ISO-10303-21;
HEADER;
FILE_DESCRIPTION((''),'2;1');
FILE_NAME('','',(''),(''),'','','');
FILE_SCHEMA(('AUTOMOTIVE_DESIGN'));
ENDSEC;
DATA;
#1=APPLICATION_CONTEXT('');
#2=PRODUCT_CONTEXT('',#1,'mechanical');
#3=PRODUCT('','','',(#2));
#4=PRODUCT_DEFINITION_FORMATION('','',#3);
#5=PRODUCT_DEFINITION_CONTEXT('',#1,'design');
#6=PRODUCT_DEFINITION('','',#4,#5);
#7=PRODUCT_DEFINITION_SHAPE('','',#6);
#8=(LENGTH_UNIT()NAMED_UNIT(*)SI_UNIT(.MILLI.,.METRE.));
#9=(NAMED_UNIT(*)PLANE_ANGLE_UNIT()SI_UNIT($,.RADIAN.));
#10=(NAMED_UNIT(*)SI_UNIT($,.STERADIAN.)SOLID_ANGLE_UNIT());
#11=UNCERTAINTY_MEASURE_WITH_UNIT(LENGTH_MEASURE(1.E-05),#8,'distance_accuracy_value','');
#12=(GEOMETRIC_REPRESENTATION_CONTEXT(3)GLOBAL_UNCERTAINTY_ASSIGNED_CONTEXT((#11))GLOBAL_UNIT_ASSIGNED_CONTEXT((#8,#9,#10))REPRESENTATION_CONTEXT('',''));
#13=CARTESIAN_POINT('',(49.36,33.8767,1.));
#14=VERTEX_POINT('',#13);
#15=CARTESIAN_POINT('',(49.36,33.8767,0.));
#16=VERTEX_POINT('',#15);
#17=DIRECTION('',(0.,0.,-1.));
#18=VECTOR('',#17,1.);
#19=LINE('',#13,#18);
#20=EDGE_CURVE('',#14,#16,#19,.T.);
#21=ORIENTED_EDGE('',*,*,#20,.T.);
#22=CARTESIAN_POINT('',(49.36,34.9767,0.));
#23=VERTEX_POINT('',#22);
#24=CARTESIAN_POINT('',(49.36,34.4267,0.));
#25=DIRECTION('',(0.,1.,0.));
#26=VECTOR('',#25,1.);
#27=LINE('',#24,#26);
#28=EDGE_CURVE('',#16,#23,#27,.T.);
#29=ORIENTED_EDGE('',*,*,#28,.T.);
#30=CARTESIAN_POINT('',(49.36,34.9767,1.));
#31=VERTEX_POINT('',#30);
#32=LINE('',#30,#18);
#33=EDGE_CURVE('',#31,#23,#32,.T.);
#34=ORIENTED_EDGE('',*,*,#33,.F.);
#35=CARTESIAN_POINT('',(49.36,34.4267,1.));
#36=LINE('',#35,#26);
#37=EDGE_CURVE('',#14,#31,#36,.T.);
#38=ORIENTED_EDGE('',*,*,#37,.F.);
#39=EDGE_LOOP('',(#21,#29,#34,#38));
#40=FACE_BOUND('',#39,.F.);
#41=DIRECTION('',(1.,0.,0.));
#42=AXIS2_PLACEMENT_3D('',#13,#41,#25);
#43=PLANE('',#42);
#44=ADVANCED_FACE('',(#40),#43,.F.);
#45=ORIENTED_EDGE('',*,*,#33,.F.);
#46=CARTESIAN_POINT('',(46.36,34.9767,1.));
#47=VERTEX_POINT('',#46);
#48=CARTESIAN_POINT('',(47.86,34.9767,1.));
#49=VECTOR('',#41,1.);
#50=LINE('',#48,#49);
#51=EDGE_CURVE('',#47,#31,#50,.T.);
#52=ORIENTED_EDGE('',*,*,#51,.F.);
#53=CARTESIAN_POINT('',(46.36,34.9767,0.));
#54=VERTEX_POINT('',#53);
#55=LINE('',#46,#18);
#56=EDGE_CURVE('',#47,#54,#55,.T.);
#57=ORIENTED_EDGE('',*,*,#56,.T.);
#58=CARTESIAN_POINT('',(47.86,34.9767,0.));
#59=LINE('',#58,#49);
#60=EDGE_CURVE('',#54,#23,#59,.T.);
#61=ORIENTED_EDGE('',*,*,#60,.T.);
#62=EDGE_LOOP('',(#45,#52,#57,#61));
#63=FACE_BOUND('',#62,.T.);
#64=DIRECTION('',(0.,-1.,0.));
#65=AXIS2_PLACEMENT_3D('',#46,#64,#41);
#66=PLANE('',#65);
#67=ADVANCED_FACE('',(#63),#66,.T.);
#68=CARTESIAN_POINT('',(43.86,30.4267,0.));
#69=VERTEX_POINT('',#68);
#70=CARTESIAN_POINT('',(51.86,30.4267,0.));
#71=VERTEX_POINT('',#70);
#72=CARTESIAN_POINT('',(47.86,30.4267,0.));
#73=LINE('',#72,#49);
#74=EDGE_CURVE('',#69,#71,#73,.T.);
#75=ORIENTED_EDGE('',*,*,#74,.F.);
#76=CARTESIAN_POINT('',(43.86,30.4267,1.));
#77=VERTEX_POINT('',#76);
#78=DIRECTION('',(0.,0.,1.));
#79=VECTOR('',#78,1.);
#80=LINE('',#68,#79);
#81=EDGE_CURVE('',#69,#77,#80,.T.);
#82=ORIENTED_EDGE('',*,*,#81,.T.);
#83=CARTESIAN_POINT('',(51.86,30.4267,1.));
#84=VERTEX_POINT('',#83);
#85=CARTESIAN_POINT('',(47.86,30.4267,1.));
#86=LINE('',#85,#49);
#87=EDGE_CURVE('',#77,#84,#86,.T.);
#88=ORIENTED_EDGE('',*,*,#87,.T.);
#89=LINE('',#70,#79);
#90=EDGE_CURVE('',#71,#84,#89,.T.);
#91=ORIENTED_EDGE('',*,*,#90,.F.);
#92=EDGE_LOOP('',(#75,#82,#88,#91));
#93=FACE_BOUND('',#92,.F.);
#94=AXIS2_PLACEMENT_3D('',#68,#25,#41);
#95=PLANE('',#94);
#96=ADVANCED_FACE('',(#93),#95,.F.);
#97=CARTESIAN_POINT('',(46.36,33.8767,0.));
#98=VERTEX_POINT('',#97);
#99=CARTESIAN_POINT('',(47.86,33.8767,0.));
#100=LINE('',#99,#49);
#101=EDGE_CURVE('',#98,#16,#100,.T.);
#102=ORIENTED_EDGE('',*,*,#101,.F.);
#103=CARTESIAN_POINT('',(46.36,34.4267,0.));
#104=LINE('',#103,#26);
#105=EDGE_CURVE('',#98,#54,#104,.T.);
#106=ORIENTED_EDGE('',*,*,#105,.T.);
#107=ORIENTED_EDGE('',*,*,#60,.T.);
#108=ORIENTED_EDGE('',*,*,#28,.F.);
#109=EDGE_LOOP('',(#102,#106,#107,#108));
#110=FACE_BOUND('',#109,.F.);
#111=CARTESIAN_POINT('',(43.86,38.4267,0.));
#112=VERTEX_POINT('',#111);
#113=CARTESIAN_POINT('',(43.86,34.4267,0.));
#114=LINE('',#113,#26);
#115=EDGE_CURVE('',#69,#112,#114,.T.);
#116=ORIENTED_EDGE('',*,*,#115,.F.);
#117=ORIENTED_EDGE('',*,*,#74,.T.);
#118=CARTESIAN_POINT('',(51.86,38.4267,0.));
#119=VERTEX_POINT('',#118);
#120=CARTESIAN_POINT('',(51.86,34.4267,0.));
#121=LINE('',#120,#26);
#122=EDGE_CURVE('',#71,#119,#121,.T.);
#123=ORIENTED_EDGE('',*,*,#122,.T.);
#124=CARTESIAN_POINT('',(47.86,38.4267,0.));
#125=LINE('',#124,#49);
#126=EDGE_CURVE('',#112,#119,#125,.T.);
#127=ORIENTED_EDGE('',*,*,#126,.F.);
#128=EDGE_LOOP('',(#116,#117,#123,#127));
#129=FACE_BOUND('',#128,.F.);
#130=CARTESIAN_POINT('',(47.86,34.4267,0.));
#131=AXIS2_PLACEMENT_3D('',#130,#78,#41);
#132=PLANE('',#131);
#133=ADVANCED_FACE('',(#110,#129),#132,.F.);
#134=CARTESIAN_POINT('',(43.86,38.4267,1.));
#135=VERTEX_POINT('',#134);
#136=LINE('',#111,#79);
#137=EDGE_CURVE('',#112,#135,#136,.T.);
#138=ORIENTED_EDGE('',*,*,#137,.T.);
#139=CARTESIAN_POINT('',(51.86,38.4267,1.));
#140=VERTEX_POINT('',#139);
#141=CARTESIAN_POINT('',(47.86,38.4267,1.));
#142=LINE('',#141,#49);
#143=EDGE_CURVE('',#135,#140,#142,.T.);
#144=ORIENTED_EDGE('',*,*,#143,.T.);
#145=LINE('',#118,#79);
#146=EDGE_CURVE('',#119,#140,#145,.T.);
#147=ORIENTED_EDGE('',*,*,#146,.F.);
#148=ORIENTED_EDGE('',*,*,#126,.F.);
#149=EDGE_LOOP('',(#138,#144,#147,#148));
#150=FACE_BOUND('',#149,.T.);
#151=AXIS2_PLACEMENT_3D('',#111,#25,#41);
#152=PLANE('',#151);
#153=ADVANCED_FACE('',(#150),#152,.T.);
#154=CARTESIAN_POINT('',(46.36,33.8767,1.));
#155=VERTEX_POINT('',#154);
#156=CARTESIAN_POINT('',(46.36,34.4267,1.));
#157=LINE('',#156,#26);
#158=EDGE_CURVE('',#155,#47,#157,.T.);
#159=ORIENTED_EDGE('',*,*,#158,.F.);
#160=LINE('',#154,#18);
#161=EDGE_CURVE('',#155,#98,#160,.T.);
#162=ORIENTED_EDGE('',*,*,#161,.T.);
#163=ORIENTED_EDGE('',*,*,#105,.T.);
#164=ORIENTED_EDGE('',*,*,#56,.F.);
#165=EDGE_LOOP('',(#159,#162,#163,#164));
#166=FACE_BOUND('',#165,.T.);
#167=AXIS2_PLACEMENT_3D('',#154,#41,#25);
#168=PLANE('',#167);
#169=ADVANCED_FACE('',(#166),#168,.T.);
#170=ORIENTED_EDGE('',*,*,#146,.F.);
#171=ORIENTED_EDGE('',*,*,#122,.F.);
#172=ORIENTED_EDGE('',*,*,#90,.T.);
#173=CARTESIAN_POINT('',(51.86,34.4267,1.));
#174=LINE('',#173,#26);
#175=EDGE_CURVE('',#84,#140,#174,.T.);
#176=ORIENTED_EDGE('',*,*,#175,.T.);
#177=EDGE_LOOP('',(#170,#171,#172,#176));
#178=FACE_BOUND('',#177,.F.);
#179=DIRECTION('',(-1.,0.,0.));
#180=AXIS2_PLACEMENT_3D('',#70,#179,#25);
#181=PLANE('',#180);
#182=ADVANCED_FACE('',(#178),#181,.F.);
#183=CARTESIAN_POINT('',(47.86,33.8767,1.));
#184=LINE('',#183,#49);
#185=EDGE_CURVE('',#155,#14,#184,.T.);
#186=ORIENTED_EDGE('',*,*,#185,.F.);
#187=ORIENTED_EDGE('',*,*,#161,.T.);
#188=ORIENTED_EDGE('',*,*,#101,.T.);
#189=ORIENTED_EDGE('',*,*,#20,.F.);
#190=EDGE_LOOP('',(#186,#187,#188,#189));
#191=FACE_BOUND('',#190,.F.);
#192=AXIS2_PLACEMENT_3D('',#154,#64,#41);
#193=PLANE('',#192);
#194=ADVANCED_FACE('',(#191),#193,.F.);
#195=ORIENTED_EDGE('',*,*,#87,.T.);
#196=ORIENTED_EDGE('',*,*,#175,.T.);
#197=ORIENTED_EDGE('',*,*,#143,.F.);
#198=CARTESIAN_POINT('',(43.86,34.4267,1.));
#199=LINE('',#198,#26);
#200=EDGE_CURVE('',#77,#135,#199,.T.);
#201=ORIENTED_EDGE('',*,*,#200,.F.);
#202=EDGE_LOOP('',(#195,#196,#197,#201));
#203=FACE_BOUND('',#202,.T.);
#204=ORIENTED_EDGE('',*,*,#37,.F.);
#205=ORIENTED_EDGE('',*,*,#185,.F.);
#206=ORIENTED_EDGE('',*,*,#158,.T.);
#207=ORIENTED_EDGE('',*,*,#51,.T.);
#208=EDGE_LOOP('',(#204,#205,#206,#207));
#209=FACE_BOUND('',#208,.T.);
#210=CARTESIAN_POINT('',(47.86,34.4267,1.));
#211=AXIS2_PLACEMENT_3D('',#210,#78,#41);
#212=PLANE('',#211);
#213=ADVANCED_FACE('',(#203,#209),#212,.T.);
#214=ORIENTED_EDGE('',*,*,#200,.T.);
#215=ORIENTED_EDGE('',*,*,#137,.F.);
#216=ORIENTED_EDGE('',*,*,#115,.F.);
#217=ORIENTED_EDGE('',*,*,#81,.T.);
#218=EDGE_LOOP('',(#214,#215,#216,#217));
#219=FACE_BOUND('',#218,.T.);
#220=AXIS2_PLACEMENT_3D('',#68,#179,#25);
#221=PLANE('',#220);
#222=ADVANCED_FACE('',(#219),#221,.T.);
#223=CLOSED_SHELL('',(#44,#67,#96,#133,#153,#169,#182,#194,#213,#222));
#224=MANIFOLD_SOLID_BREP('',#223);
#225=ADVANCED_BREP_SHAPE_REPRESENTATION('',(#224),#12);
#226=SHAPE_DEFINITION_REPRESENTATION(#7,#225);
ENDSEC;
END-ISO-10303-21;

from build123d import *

# Parameters (mm, degrees)
SKETCH005_W      = 3
SKETCH005_H      = 1.1
EXTRUDE006_DEPTH = 1
BOX002_W         = 8
BOX002_H         = 8
BOX002_DEPTH     = 1


with BuildPart() as snapslotextrude:
    # Sketch005 (on Face6 of Box002) → Extrude006 (new body)
    with BuildSketch(Plane(origin=(30.86, 30.4267, 1), x_dir=(1, 0, 0), z_dir=(0, 0, 1))):
        with Locations((4, 4)):
            Rectangle(SKETCH005_W, SKETCH005_H)
    extrude(amount=-EXTRUDE006_DEPTH)


with BuildPart() as wedgeslot:
    # Box002 → Box002 (new body)
    with BuildSketch(Plane(origin=(30.86, 30.4267, 0), x_dir=(1, 0, 0), z_dir=(0, 0, 1))):
        with Locations((4, 4)):
            Rectangle(BOX002_W, BOX002_H)
    extrude(amount=BOX002_DEPTH)

    # Cut002: cut snapSlotExtrude
    add(snapslotextrude.part, mode=Mode.SUBTRACT)


with BuildPart() as wedgeslot_1:
    # Cut002 placement: moved
    add(wedgeslot.part.moved(Location((13, 0, 0))))


solid = wedgeslot_1.part
